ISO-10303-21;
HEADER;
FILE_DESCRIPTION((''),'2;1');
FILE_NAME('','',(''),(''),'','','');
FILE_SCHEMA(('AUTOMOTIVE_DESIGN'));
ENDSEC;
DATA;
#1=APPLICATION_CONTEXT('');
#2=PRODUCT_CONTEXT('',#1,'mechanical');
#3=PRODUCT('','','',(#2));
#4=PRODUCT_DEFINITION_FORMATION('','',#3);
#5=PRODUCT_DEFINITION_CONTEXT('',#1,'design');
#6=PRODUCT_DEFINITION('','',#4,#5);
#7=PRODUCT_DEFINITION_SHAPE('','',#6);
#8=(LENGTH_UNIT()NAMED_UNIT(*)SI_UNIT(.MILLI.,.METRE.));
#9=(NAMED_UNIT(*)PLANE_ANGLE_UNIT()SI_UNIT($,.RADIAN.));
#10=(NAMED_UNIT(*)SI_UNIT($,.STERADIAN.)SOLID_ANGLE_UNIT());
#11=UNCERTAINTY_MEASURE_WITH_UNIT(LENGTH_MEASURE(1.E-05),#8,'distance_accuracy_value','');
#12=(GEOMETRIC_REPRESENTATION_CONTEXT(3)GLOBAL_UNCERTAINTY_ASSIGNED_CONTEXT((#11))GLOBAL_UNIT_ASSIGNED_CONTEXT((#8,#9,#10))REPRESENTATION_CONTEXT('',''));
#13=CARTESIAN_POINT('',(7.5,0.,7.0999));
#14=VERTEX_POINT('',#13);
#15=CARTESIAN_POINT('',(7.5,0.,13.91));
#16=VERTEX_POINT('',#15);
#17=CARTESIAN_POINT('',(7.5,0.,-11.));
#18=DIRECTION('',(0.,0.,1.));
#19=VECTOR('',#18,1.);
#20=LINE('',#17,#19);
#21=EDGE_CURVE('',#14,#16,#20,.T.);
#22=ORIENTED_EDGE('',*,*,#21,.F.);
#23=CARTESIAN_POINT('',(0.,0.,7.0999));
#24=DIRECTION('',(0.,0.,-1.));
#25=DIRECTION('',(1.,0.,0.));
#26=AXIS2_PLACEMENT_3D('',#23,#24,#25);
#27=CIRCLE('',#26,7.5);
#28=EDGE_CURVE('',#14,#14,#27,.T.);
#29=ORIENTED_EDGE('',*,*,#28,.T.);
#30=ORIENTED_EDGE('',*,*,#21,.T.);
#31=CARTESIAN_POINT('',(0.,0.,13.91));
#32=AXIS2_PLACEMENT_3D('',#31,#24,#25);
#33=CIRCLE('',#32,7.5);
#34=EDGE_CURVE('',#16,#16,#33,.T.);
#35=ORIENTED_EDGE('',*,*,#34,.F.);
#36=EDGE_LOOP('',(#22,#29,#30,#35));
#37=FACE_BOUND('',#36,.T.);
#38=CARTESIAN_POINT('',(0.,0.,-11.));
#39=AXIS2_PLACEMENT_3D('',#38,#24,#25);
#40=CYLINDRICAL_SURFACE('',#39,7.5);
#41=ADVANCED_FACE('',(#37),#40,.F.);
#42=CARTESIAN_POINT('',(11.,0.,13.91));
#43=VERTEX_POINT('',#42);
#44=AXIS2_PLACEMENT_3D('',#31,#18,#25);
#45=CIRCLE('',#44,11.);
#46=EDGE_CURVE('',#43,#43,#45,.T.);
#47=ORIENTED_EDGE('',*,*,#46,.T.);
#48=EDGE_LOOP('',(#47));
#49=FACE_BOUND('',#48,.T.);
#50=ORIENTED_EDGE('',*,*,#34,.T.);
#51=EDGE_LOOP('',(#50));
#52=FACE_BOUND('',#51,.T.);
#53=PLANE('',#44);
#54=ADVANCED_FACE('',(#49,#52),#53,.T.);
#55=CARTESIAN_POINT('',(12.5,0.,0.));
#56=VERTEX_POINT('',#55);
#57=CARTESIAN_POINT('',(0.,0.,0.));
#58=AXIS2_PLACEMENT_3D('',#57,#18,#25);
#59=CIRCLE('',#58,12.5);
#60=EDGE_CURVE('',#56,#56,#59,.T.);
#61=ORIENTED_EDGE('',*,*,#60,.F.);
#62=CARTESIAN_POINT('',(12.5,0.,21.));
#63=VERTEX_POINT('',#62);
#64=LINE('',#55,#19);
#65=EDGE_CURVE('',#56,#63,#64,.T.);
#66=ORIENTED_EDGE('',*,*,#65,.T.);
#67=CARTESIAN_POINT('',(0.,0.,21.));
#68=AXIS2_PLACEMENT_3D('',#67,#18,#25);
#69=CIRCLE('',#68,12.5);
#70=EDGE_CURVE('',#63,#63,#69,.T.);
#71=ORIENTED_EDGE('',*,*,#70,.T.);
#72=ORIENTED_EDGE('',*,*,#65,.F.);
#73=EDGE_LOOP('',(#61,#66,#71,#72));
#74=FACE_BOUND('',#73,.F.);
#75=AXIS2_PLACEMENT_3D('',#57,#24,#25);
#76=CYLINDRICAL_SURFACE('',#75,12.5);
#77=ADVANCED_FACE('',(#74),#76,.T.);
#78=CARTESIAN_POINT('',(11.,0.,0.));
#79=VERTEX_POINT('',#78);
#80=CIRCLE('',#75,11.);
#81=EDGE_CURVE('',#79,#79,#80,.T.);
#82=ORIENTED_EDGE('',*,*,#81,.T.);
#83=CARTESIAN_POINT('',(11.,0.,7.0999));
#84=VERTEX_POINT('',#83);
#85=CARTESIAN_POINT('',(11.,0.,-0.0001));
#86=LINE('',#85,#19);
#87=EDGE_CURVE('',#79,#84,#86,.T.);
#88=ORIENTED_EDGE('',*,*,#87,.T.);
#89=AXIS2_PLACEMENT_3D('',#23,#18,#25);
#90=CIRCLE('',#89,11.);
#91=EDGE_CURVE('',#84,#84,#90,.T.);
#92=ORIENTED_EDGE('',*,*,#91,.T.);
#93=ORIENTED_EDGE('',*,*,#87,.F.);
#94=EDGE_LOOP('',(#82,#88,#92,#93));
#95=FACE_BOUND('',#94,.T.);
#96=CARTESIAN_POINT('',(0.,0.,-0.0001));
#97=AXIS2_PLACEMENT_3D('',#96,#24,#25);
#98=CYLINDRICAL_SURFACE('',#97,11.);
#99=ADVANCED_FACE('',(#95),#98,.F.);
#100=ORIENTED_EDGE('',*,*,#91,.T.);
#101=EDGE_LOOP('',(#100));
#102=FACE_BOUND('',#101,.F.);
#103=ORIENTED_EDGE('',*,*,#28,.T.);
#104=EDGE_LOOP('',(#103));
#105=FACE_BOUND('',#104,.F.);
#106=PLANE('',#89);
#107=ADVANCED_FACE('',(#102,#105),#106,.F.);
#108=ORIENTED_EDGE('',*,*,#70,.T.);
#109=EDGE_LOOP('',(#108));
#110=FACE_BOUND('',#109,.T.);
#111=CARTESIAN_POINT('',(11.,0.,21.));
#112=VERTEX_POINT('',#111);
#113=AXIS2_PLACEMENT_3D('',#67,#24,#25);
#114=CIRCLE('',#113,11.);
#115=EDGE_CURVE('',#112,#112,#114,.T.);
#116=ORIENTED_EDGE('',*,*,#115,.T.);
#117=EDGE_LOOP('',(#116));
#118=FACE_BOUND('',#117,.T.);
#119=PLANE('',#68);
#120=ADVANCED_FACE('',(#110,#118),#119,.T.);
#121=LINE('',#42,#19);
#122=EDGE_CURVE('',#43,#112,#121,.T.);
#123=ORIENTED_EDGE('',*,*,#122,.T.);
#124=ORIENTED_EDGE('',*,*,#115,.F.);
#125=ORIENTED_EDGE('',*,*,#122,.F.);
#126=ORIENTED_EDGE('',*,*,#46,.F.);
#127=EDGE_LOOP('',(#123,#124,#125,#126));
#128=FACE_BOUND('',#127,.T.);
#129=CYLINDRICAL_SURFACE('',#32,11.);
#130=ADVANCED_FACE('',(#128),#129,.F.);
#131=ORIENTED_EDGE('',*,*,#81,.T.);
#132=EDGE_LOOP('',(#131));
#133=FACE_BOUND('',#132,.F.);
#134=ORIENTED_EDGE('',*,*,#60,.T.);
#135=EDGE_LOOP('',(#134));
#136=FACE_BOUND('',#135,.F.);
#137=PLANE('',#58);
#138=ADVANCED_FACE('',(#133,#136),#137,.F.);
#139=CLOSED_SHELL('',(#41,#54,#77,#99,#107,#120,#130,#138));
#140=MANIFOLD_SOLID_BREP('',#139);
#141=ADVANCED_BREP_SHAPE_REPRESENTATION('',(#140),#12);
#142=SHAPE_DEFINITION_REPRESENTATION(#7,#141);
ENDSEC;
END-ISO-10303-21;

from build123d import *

# Parameters (mm, degrees)
CYLINDER003_R     = 11
CYLINDER003_DEPTH = 7.1
CYLINDER002_R     = 11
CYLINDER002_DEPTH = 7.1
CYLINDER001_R     = 7.5
CYLINDER001_DEPTH = 50
CYLINDER_R        = 12.5
CYLINDER_DEPTH    = 21


with BuildPart() as cylindre003:
    # Cylinder003 → Cylinder003 (new body)
    with BuildSketch(Plane.XY.offset(13.91)):
        Circle(CYLINDER003_R)
    extrude(amount=CYLINDER003_DEPTH)


with BuildPart() as cylindre002:
    # Cylinder002 → Cylinder002 (new body)
    with BuildSketch(Plane.XY.offset(-0.0001)):
        Circle(CYLINDER002_R)
    extrude(amount=CYLINDER002_DEPTH)


with BuildPart() as cylindre001:
    # Cylinder001 → Cylinder001 (new body)
    with BuildSketch(Plane.XY.offset(-11)):
        Circle(CYLINDER001_R)
    extrude(amount=CYLINDER001_DEPTH)


with BuildPart() as cut002:
    # Cylinder → Cylinder (new body)
    with BuildSketch(Plane.XY):
        Circle(CYLINDER_R)
    extrude(amount=CYLINDER_DEPTH)

    # Cut: cut Cylindre001
    add(cylindre001.part, mode=Mode.SUBTRACT)

    # Cut001: cut Cylindre002
    add(cylindre002.part, mode=Mode.SUBTRACT)

    # Cut002: cut Cylindre003
    add(cylindre003.part, mode=Mode.SUBTRACT)


solid = cut002.part
